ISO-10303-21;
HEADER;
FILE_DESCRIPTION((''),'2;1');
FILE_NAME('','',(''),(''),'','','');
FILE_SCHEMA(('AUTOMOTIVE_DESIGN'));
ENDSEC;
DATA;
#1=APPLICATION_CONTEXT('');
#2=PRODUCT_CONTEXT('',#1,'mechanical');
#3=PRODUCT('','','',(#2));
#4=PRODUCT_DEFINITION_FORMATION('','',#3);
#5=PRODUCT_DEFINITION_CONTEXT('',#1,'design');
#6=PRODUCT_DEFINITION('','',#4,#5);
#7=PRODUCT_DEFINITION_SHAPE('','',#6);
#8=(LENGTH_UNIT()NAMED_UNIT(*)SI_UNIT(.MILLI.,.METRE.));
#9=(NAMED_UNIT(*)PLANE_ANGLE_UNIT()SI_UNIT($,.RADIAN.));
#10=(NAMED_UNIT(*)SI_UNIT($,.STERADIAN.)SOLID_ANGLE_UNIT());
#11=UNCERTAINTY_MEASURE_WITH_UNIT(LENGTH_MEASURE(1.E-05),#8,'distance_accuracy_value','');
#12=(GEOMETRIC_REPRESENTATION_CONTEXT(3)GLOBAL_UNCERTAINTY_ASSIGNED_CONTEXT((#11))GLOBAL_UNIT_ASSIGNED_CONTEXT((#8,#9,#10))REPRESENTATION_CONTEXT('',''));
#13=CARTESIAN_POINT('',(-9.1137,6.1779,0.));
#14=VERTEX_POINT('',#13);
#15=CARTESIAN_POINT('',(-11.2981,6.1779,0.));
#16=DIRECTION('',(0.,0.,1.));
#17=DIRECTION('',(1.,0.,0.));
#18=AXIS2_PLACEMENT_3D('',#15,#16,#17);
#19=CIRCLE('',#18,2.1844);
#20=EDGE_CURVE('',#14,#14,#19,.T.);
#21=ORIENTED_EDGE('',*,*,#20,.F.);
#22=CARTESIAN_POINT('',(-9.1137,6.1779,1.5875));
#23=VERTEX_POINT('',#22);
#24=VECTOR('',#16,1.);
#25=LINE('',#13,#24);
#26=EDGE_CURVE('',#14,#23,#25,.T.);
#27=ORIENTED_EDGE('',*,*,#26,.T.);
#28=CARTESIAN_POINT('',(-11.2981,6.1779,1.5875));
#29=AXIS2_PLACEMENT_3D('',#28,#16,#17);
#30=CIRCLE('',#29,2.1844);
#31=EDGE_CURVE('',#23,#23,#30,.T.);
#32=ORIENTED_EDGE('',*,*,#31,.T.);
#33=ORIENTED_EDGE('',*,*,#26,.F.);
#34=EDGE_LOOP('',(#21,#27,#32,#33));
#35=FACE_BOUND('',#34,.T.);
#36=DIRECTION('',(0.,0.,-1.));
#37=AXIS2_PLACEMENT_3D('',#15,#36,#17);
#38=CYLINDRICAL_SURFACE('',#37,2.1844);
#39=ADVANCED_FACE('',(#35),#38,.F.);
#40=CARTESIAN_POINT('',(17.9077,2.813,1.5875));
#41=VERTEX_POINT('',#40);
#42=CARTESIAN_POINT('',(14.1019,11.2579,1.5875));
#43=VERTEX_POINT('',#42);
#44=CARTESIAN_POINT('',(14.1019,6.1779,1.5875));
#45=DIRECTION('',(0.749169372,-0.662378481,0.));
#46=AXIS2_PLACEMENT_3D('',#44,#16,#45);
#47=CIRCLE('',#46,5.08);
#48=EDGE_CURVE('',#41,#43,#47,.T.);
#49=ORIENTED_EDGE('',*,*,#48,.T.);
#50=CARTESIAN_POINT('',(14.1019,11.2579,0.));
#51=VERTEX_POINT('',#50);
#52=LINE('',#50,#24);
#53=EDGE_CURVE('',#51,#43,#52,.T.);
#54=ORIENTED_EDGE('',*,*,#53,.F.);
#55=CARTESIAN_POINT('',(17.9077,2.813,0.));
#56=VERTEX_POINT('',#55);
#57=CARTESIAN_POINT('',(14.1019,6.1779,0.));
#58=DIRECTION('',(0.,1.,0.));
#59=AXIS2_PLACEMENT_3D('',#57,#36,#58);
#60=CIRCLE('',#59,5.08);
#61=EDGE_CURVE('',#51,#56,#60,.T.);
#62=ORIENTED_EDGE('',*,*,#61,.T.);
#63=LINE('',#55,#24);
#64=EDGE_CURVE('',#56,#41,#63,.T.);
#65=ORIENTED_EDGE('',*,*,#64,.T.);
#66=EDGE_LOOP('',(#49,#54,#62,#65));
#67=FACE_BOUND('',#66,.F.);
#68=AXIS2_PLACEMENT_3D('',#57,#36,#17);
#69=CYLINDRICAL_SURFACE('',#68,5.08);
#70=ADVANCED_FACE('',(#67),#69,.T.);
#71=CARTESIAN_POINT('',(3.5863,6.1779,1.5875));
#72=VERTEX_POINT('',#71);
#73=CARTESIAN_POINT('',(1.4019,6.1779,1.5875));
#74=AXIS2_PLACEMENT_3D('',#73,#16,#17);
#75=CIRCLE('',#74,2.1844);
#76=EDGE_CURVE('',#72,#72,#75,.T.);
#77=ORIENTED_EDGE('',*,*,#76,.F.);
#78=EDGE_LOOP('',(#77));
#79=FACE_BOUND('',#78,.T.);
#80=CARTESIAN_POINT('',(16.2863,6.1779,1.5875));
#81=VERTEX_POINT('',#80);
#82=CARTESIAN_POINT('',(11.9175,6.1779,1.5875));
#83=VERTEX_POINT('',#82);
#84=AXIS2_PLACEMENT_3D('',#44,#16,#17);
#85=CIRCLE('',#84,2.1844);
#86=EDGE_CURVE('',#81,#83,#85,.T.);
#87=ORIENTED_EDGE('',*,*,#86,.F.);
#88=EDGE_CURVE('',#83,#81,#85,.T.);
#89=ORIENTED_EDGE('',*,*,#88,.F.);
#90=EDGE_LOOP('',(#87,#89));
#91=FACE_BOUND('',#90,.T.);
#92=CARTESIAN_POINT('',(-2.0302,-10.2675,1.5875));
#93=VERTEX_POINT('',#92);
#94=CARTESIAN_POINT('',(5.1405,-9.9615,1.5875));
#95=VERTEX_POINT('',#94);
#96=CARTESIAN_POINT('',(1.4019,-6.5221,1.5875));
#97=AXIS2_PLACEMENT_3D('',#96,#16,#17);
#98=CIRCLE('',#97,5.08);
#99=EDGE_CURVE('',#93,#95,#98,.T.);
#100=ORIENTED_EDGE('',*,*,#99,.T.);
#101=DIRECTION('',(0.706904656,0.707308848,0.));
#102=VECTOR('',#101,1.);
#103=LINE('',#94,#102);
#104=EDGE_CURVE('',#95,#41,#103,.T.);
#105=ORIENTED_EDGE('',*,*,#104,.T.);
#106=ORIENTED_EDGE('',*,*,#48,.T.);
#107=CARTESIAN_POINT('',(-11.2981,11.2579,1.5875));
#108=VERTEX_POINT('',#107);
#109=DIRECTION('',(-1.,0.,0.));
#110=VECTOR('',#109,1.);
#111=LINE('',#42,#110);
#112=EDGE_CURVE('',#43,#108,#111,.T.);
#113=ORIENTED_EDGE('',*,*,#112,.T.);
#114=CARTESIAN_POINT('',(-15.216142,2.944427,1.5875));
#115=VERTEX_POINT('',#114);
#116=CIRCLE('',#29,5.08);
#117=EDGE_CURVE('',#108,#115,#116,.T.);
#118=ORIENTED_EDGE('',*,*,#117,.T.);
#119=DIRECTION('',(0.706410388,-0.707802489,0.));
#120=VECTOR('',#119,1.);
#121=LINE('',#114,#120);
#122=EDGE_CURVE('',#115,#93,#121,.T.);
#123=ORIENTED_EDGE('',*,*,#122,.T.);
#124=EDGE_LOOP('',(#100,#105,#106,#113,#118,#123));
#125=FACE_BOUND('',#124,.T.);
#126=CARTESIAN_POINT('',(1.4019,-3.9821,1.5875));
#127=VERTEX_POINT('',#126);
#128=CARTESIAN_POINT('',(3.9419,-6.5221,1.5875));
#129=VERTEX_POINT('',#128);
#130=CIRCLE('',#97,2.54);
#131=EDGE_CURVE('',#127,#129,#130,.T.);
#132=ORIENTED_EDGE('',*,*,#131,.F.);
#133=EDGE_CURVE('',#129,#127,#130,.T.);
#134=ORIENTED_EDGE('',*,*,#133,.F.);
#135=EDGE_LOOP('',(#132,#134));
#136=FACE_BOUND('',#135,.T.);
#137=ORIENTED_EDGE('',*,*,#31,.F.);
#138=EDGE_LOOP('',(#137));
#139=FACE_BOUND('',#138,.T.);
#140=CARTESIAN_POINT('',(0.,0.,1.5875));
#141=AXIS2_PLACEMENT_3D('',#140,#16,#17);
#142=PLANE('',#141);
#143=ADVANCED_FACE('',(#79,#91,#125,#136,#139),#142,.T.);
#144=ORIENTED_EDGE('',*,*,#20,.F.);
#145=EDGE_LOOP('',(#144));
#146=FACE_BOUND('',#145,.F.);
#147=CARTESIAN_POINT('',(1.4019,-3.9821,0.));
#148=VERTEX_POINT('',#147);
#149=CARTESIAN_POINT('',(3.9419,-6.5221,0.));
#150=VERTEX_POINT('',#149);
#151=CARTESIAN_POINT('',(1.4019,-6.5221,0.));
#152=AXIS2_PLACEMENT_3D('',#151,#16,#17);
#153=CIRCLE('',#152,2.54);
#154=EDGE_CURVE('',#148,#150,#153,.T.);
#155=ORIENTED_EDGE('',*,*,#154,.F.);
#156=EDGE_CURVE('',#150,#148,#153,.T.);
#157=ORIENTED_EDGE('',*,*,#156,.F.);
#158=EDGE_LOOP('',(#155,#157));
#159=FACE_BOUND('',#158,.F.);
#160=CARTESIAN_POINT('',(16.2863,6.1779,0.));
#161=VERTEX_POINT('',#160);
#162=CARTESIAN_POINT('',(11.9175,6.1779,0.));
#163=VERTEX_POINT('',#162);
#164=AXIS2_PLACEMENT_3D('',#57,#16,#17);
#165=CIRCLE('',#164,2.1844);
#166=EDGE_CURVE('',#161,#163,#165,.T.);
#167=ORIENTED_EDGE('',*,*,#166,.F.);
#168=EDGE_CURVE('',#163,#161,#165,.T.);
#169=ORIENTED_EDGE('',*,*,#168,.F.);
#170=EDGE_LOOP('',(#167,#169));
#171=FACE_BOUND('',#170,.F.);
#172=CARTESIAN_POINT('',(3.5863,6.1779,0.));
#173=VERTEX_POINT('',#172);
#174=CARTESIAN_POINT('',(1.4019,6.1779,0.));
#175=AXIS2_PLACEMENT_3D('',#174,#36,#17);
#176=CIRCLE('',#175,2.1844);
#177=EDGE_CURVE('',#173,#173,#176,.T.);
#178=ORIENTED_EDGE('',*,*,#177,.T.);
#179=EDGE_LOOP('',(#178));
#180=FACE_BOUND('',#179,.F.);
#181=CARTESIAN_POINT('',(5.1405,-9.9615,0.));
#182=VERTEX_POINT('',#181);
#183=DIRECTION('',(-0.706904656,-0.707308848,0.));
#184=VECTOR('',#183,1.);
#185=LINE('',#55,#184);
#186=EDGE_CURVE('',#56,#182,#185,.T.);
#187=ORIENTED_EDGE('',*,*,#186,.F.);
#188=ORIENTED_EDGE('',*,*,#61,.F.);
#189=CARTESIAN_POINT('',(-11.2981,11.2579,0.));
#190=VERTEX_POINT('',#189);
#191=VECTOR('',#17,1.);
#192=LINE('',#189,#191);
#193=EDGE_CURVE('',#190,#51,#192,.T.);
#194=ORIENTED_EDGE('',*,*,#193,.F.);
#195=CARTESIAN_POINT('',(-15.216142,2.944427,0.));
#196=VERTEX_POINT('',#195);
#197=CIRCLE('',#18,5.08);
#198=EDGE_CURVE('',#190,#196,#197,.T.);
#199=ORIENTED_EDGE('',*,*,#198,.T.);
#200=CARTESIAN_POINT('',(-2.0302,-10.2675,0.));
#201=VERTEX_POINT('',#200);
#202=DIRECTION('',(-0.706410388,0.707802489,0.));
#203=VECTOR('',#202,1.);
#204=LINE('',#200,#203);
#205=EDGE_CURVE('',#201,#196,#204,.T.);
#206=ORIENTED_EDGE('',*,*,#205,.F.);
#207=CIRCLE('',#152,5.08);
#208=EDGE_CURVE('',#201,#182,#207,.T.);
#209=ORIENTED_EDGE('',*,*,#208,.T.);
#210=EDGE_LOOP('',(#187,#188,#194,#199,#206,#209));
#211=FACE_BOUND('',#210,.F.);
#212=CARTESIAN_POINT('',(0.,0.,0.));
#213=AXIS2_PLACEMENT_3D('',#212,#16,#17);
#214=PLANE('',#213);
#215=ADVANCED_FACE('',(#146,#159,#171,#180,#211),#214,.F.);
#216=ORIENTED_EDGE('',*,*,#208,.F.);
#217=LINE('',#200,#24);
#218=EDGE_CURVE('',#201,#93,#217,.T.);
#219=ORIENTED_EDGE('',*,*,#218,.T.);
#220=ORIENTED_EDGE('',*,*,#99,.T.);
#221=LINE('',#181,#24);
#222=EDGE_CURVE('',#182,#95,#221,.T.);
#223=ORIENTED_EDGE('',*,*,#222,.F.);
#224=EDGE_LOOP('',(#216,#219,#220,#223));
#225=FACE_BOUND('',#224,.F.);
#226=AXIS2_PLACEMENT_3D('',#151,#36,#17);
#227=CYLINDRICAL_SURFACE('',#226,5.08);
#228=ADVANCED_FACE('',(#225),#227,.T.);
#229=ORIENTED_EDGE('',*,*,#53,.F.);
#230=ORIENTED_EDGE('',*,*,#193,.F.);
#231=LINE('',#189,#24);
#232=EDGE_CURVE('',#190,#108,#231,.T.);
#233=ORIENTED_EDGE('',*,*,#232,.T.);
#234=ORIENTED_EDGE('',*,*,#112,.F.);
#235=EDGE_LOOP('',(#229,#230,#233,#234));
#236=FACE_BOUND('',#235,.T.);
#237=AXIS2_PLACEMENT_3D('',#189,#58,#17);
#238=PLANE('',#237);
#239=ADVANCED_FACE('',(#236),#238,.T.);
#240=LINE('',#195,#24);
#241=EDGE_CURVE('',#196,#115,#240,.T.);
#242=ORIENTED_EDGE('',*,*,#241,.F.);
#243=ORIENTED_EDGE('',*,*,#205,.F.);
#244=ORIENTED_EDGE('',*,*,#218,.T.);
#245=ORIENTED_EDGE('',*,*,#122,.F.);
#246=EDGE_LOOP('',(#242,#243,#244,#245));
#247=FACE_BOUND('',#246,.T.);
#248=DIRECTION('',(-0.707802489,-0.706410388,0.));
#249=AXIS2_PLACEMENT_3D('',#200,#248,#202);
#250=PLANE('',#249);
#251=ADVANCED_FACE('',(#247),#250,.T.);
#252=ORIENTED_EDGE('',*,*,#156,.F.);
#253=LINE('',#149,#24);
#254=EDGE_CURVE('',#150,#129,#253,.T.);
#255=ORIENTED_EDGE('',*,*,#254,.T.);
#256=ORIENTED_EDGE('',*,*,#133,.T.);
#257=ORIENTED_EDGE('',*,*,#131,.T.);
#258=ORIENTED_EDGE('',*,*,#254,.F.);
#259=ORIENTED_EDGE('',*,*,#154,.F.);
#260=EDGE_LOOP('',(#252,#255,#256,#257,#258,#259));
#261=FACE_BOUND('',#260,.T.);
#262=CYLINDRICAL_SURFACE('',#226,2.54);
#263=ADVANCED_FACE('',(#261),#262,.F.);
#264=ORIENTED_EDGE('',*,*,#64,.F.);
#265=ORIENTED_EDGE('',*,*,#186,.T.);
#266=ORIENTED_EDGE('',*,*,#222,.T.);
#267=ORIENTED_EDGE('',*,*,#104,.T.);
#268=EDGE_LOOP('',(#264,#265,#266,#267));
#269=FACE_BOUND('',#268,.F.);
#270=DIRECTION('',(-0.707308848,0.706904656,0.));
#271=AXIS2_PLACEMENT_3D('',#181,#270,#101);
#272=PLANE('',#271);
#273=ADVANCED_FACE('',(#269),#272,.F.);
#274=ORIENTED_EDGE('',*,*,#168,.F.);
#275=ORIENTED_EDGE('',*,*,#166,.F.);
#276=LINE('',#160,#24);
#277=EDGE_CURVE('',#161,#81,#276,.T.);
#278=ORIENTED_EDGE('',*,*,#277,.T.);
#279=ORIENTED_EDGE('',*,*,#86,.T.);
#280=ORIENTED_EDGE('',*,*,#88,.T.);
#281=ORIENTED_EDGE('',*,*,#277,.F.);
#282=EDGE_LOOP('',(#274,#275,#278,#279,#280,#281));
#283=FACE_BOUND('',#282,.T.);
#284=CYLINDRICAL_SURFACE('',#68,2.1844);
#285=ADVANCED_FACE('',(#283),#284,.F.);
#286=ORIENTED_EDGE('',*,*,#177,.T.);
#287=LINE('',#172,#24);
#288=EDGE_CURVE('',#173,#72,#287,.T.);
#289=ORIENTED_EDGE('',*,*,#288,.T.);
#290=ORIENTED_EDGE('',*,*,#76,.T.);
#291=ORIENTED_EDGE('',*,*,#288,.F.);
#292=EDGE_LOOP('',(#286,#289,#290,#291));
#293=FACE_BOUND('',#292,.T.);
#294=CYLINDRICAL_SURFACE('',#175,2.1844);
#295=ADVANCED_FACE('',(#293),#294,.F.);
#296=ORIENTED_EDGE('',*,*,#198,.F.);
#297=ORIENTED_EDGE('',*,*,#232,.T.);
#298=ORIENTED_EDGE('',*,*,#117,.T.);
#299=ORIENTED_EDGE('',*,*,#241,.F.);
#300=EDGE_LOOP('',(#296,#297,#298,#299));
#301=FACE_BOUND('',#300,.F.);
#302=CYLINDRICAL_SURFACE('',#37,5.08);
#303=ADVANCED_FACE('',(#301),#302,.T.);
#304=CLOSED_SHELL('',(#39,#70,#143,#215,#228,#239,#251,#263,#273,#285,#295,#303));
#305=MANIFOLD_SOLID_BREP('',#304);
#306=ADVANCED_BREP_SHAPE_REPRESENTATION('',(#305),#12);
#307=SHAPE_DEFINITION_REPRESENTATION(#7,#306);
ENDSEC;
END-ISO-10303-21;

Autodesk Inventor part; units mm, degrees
ref_plane "YZ Plane" through (0, 0, 0) normal (1, 0, 0) x (0, 1, 0)
ref_plane "XZ Plane" through (0, 0, 0) normal (0, 1, 0) x (-1, 0, 0)
ref_plane "XY Plane" through (0, 0, 0) normal (0, 0, 1) x (1, 0, 0)
sketch "Sketch3" plane through (0, 0, 0) normal (0, 0, 1) x (1, 0, 0)
  circle A0 centre (1.4019, 6.1779) radius 2.1844
  circle A1 centre (-11.2981, 6.1779) radius 2.1844
  circle A2 centre (-23.9981, 6.1779) radius 2.1844
  circle A3 centre (14.1019, 6.1779) radius 2.1844
  line L0 (-11.2981, 6.1779) -> (1.4019, 6.1779)
  line L1 (1.4019, 6.1779) -> (14.1019, 6.1779)
  circle A4 centre (-11.2981, 6.1779) radius 5.08
  circle A5 centre (1.4019, 6.1779) radius 5.08
  circle A6 centre (14.1019, 6.1779) radius 5.08
  line L2 (-11.2981, 11.2579) -> (1.4019, 11.2579)
  line L3 (1.4019, 11.2579) -> (14.1019, 11.2579)
  line L4 (1.4019, 6.1779) -> (1.4019, -6.5221)
  circle A7 centre (1.4019, -6.5221) radius 2.54
  circle A8 centre (1.4019, -6.5221) radius 5.08
  line L5 (-2.0302, -10.2675) -> (-18.1161, 5.8501)
  line L6 (5.1405, -9.9615) -> (17.9077, 2.813)
  point P0 (0, 0)
  point P1 (-15.8845, 3.9935)
  point P2 (18.6882, 3.9935)
  point P3 (4.8339, -10.2675)
  point P4 (-14.5389, 2.2658)
  point P5 (17.3918, 2.2658)
  point P6 (1.4019, -1.4421)
  point P7 (1.4019, 1.0979)
  point P8 (6.4819, 6.1779)
  point P9 (9.0219, 6.1779)
  point P10 (17.4689, 2.374)
  point P11 (-2.3502, -9.9468)
  point P12 (-15.2165, 2.9448)
  point P13 (-3.6781, 6.1779)
  point P14 (-6.2181, 6.1779)
  dimension "d55" = 10.16
  dimension "d54" = 10.16
  dimension "d56" = 10.16
  dimension "d59" = 4.3688
  dimension "d63" = 12.7
  dimension "d64" = 5.08
  dimension "d65" = 10.16
extrude "Extrusion7" add sketch "Sketch3" along normal blind 1.5875 contours L1 A5 L4 A0 | A0 L0 A5 L1 | A0 L4 A5 L0 | A5 L3 A6 L1 | L1 A6 L6 A8 L4 A5 | A8 | A5 L4 A8 L5 A4 L0 | L0 A4 L2 A5 | A6 L6 | A4 L5 picked at (18.1676, 5.7732) picked at (-7.2265, 5.798)
sketch "Sketch4" plane through (0, 0, 1.5875) normal (0, 0, 1) x (1, 0, 0)
  point P0 (0, 0)
properties part number "Wing poly connection"
